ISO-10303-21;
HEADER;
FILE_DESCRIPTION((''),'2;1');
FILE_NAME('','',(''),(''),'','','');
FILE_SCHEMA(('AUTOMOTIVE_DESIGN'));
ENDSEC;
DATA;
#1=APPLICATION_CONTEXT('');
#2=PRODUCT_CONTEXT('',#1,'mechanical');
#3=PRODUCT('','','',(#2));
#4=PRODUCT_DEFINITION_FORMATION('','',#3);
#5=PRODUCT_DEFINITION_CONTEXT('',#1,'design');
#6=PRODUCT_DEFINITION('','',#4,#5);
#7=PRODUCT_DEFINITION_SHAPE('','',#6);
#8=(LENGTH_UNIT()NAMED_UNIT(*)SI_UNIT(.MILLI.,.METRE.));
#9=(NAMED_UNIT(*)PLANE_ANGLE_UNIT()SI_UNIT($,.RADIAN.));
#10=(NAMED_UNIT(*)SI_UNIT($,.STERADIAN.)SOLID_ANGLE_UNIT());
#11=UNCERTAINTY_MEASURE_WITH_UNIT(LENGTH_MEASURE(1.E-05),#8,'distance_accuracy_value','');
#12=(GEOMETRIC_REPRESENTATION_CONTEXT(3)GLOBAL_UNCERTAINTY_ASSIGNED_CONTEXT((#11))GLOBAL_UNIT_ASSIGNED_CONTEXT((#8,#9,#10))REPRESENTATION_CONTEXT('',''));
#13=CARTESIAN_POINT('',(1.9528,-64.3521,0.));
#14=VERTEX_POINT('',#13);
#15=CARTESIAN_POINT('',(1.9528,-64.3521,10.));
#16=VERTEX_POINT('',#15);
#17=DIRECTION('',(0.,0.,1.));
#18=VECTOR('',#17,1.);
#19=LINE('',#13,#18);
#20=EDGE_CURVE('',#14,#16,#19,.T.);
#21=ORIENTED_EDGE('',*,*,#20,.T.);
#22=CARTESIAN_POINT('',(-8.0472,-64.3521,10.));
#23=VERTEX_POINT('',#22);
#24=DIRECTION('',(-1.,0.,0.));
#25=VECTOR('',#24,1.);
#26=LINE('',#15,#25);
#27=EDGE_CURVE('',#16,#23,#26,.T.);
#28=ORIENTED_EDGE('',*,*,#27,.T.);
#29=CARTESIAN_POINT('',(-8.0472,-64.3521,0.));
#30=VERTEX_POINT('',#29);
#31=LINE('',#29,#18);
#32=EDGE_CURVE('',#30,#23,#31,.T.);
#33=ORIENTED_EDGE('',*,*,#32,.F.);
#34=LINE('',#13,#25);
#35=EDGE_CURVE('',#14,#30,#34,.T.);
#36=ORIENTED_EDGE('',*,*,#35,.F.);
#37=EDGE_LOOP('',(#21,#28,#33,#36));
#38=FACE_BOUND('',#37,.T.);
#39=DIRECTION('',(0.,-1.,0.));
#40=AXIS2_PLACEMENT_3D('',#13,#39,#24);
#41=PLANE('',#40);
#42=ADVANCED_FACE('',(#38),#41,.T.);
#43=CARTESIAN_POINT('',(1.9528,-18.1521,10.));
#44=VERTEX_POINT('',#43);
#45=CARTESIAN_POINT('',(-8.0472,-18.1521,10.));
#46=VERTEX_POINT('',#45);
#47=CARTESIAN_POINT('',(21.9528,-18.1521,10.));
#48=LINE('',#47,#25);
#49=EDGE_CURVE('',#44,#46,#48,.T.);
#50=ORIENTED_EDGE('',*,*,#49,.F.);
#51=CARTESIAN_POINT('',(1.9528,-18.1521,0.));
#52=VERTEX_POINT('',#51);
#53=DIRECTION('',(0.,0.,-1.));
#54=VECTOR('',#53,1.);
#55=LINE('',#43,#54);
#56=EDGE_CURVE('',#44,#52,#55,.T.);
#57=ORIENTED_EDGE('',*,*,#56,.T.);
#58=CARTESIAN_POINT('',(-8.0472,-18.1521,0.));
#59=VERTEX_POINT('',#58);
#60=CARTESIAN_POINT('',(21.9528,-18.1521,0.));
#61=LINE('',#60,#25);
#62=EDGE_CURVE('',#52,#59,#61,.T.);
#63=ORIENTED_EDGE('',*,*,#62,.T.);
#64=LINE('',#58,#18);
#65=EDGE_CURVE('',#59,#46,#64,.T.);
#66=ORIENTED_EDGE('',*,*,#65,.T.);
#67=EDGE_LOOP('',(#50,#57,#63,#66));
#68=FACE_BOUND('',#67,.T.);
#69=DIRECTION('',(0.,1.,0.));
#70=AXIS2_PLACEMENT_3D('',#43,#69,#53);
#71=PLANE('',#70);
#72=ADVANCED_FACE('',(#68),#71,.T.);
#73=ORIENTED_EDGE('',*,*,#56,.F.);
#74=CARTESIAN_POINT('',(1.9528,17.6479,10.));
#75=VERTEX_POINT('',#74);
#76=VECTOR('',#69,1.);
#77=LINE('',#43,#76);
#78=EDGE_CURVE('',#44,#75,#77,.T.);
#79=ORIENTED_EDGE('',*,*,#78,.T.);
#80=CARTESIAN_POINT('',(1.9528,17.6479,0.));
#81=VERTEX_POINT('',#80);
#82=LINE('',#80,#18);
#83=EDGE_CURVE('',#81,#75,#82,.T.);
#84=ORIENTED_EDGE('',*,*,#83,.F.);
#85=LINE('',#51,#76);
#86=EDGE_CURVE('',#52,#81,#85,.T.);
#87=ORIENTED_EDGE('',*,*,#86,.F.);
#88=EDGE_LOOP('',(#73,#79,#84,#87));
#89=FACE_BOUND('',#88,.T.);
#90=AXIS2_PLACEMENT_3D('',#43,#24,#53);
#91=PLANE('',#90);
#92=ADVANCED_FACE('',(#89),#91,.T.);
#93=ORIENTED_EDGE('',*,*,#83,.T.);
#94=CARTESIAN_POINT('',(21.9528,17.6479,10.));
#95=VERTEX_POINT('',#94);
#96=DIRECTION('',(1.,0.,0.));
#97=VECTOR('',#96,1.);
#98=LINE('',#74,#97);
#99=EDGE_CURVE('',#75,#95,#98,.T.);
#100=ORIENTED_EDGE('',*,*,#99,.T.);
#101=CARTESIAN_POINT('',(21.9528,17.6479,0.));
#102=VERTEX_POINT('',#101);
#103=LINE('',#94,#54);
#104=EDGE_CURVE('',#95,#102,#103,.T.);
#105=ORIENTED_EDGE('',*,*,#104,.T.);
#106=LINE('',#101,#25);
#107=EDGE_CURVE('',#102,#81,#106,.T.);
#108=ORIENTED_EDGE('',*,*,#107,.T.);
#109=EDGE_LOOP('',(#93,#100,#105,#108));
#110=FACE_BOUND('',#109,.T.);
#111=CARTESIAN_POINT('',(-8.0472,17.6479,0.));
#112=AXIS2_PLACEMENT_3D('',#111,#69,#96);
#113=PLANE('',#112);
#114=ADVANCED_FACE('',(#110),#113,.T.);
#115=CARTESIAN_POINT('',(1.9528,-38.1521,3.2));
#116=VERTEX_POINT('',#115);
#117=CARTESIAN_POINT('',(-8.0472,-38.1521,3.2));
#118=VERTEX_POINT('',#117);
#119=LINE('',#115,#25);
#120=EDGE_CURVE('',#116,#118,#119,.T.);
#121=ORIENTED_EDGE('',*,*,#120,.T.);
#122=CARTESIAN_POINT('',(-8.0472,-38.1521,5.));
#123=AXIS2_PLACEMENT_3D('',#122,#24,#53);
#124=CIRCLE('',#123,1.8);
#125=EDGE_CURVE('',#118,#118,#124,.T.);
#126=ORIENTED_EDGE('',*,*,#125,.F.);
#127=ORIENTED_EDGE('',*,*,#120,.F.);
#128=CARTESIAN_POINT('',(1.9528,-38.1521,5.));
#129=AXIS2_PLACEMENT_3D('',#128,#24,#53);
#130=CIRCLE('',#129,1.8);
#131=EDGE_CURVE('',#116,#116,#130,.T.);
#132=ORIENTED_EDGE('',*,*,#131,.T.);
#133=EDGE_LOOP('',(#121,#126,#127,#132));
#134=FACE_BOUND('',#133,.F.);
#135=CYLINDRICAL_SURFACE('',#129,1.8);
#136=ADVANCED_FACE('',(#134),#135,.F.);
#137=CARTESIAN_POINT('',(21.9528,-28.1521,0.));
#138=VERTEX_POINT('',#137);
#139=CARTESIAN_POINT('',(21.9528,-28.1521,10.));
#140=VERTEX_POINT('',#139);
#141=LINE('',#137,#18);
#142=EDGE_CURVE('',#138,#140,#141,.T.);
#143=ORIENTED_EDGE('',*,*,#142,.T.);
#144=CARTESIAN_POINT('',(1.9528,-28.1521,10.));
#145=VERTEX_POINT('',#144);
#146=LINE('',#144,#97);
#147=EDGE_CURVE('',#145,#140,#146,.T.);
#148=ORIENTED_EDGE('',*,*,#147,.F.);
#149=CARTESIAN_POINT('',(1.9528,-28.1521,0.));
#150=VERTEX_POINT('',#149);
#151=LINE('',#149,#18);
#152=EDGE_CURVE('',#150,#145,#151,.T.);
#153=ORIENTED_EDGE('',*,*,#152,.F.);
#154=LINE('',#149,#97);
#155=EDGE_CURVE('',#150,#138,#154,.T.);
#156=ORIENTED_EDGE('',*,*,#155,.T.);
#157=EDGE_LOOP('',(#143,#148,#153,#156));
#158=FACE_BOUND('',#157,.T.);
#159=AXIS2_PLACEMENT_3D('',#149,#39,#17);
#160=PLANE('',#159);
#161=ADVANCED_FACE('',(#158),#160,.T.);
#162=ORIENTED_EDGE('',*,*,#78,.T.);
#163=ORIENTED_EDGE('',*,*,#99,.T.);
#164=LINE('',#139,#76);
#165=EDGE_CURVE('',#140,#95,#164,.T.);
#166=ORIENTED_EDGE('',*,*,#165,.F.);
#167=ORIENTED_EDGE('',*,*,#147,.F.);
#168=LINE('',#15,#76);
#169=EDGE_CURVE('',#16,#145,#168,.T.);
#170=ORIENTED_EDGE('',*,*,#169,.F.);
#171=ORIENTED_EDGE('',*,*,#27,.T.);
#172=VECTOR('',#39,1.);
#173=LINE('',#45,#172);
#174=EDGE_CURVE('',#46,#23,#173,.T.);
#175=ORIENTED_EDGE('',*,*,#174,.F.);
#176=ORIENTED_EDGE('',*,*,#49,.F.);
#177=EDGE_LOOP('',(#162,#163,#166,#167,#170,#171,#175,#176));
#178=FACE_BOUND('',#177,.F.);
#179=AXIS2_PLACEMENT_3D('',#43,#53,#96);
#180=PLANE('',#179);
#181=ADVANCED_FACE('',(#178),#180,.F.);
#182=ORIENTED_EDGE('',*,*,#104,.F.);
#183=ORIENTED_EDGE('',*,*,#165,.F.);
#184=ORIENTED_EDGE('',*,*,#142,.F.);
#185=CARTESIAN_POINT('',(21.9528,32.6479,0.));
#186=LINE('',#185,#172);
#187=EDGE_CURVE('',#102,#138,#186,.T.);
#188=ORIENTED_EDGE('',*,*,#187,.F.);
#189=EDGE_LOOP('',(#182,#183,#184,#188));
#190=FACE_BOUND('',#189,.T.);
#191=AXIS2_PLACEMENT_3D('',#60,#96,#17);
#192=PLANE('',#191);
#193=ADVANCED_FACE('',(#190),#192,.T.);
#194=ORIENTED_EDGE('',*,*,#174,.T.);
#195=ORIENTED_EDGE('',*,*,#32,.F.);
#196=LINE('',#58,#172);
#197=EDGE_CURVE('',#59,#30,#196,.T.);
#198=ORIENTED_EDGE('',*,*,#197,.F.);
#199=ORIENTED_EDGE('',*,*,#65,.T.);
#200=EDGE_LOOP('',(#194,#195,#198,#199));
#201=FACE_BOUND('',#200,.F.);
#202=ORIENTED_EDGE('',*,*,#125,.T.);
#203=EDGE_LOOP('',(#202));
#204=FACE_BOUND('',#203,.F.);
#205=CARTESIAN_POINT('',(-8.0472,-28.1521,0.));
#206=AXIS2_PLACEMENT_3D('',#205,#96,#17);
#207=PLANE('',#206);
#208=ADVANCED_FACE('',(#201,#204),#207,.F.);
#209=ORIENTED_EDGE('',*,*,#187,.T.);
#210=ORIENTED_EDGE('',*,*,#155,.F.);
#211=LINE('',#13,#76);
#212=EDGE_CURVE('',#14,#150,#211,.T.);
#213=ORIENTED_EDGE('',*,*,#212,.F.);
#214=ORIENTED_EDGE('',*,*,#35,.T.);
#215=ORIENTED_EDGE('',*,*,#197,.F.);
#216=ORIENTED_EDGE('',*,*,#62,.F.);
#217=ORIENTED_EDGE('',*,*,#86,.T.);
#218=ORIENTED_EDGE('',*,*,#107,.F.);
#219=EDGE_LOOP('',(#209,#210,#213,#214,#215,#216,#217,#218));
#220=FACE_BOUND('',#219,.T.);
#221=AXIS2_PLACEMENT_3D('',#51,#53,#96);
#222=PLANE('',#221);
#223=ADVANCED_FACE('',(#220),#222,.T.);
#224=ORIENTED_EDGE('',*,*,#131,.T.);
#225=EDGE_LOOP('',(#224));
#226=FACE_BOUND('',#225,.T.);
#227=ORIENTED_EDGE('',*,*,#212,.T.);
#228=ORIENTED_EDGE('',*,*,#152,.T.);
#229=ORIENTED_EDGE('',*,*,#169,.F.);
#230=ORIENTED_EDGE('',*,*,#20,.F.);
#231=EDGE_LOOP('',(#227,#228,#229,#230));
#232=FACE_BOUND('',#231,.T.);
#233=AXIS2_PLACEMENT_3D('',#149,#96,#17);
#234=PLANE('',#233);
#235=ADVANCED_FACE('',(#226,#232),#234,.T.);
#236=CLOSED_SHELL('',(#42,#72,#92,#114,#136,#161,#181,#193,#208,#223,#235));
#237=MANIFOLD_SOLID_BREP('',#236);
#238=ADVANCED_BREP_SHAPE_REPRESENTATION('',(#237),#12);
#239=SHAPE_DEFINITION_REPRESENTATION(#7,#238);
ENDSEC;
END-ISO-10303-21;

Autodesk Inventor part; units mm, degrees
ref_plane "YZ Plane" through (0, 0, 0) normal (1, 0, 0) x (0, 1, 0)
ref_plane "XZ Plane" through (0, 0, 0) normal (0, 1, 0) x (-1, 0, 0)
ref_plane "XY Plane" through (0, 0, 0) normal (0, 0, 1) x (1, 0, 0)
sketch "Sketch1" plane through (0, 0, 0) normal (0, 0, 1) x (1, 0, 0)
  line L0 (-8.0472, -28.1521) -> (1.9528, -28.1521)
  line L1 (1.9528, -28.1521) -> (1.9528, -64.3521)
  line L2 (1.9528, -64.3521) -> (-8.0472, -64.3521)
  line L3 (-8.0472, -64.3521) -> (-8.0472, -28.1521)
  point P0 (0, 0)
  dimension "d0" = 10
  dimension "d1" = 36.2
extrude "Extrusion1" add sketch "Sketch1" along normal blind 10
sketch "Sketch3" plane through (1.9528, -64.3521, 0) normal (1, 0, 0) x (0, 0, -1)
  line L0 (0, 36.2) -> (-10, 36.2) projected
  line L1 (-5, 36.2) -> (-5, 26.2)
  point P0 (0, 64.3521)
  dimension "d12" = 10
hole "Hole2" at (1.9528, -38.1521, 5) direction (-1, 0, 0) diameter 3.6 end through all clearance for "Flat Head Machine Screw" size "M3" standard "Ansi Metric M Profile"
sketch "Sketch4" plane through (-8.0472, -28.1521, 0) normal (0, 1, 0) x (1, 0, 0)
  line L0 (10, -10) -> (0, -10) projected
  line L1 (10, 0) -> (10, -10) projected
  line L2 (0, -10) -> (10, -10)
  line L3 (10, -10) -> (10, 0)
  line L4 (10, 0) -> (0, 0)
  line L5 (0, 0) -> (0, -10)
  point P0 (8.0472, 0)
extrude "Extrusion2" add sketch "Sketch4" along normal blind 10
sketch "Sketch5" plane through (1.9528, -64.3521, 10) normal (1, 0, 0) x (0, 0, -1)
  line L0 (0, 0) -> (0, 46.2) projected
  line L1 (0, 46.2) -> (10, 46.2)
  line L2 (10, 46.2) -> (10, 36.2)
  line L3 (10, 36.2) -> (0, 36.2)
  line L4 (0, 36.2) -> (0, 46.2)
  point P0 (10, 64.3521)
  dimension "d22" = 10
  dimension "d23" = 10
extrude "Extrusion3" add sketch "Sketch5" along normal blind 20
sketch "Sketch6" plane through (-8.0472, -18.1521, 0) normal (0, 1, 0) x (1, 0, 0)
  line L0 (0, -10) -> (30, -10) projected
  line L1 (10, 0) -> (30, 0)
  line L2 (30, 0) -> (30, -10)
  line L3 (30, -10) -> (10, -10)
  line L4 (10, -10) -> (10, 0)
  point P0 (8.0472, 0)
  point P1 (10, -10)
extrude "Extrusion4" add sketch "Sketch6" along normal blind 50.8
sketch "Sketch7" plane through (-8.0472, 32.6479, 0) normal (0, 1, 0) x (1, 0, 0)
  line L0 (30, 0) -> (10, 0) projected
  line L1 (10, 0) -> (10, -10) projected
  line L2 (10, -10) -> (30, -10) projected
  line L3 (30, -10) -> (30, 0) projected
  point P0 (8.0472, 0)
extrude "Extrusion5" cut sketch "Sketch7" against normal blind 15
properties part number "lever staggered"
